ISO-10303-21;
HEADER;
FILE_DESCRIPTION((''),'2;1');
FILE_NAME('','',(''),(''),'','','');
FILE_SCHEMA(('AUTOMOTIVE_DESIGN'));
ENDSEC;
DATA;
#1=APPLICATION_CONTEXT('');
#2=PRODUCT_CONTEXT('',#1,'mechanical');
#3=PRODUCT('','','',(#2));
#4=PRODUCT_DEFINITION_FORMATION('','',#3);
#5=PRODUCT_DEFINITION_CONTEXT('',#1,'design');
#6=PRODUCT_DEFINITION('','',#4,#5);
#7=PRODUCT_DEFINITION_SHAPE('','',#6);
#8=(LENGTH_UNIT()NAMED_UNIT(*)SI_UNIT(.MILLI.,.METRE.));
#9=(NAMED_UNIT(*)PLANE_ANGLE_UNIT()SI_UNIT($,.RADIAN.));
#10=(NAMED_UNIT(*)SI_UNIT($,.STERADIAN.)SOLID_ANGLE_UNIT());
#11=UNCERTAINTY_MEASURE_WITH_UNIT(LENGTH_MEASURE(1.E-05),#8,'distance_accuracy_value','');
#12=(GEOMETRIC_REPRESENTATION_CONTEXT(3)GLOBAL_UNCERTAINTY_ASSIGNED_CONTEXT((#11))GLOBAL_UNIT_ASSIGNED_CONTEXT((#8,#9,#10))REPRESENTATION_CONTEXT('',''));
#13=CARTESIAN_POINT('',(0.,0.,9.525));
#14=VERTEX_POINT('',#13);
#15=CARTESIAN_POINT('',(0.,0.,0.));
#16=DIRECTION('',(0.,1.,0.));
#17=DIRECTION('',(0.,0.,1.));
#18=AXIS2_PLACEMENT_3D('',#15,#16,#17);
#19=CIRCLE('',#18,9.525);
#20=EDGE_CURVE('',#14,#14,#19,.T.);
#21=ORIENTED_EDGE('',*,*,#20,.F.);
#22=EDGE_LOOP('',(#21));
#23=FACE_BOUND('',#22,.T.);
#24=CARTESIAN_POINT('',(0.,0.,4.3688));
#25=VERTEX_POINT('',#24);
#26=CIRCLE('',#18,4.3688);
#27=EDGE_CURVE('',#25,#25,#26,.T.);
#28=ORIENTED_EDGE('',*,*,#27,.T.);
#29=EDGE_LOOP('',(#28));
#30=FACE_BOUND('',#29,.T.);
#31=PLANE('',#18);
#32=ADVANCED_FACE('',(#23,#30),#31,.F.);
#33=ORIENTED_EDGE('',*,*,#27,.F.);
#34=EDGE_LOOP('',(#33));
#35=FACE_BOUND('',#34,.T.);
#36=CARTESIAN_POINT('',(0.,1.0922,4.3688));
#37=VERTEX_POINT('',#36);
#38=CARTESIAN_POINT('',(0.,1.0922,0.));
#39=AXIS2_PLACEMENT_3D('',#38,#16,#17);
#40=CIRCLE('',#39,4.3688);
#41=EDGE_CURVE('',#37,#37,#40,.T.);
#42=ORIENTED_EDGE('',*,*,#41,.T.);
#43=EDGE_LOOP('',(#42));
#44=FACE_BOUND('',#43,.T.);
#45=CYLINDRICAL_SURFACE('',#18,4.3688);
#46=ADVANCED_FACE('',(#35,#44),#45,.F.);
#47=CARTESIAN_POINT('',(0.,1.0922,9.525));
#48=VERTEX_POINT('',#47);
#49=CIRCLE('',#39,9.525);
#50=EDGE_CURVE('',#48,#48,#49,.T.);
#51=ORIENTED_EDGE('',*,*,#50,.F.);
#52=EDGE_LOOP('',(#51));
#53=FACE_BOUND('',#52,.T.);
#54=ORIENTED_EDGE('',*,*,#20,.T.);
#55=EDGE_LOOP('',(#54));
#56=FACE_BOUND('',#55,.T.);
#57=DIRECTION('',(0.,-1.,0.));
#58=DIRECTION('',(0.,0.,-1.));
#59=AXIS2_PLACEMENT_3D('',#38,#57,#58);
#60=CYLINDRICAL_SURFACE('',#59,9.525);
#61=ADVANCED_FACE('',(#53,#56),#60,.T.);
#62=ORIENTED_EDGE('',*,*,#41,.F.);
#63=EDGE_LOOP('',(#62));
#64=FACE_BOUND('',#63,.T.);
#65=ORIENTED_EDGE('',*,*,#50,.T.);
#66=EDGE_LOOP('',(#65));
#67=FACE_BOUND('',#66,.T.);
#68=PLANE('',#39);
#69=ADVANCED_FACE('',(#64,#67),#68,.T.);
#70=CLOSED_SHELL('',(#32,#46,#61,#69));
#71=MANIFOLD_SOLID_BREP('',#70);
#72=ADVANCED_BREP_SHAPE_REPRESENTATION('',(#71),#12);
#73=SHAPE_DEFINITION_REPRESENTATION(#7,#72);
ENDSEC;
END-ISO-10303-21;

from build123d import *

# Parameters (mm, degrees)
SKETCH1_R           = 9.525
BOSS_EXTRUDE1_DEPTH = 1.0922
SKETCH5_R           = 4.3688
CUT_EXTRUDE1_DEPTH  = 2.0922


with BuildPart() as part:
    # Sketch1 → Boss-Extrude1 (new body)
    with BuildSketch(Plane(origin=(0, 0, 0), x_dir=(1, 0, 0), z_dir=(0, 1, 0))):
        Circle(SKETCH1_R)
    extrude(amount=BOSS_EXTRUDE1_DEPTH)

    # Sketch5 → Cut-Extrude1 (cut, through all)
    with BuildSketch(Plane(origin=(0, 1.0922, 0), x_dir=(-1, 0, 0), z_dir=(0, 1, 0))):
        Circle(SKETCH5_R)
    extrude(amount=-CUT_EXTRUDE1_DEPTH, mode=Mode.SUBTRACT)


solid = part.part
